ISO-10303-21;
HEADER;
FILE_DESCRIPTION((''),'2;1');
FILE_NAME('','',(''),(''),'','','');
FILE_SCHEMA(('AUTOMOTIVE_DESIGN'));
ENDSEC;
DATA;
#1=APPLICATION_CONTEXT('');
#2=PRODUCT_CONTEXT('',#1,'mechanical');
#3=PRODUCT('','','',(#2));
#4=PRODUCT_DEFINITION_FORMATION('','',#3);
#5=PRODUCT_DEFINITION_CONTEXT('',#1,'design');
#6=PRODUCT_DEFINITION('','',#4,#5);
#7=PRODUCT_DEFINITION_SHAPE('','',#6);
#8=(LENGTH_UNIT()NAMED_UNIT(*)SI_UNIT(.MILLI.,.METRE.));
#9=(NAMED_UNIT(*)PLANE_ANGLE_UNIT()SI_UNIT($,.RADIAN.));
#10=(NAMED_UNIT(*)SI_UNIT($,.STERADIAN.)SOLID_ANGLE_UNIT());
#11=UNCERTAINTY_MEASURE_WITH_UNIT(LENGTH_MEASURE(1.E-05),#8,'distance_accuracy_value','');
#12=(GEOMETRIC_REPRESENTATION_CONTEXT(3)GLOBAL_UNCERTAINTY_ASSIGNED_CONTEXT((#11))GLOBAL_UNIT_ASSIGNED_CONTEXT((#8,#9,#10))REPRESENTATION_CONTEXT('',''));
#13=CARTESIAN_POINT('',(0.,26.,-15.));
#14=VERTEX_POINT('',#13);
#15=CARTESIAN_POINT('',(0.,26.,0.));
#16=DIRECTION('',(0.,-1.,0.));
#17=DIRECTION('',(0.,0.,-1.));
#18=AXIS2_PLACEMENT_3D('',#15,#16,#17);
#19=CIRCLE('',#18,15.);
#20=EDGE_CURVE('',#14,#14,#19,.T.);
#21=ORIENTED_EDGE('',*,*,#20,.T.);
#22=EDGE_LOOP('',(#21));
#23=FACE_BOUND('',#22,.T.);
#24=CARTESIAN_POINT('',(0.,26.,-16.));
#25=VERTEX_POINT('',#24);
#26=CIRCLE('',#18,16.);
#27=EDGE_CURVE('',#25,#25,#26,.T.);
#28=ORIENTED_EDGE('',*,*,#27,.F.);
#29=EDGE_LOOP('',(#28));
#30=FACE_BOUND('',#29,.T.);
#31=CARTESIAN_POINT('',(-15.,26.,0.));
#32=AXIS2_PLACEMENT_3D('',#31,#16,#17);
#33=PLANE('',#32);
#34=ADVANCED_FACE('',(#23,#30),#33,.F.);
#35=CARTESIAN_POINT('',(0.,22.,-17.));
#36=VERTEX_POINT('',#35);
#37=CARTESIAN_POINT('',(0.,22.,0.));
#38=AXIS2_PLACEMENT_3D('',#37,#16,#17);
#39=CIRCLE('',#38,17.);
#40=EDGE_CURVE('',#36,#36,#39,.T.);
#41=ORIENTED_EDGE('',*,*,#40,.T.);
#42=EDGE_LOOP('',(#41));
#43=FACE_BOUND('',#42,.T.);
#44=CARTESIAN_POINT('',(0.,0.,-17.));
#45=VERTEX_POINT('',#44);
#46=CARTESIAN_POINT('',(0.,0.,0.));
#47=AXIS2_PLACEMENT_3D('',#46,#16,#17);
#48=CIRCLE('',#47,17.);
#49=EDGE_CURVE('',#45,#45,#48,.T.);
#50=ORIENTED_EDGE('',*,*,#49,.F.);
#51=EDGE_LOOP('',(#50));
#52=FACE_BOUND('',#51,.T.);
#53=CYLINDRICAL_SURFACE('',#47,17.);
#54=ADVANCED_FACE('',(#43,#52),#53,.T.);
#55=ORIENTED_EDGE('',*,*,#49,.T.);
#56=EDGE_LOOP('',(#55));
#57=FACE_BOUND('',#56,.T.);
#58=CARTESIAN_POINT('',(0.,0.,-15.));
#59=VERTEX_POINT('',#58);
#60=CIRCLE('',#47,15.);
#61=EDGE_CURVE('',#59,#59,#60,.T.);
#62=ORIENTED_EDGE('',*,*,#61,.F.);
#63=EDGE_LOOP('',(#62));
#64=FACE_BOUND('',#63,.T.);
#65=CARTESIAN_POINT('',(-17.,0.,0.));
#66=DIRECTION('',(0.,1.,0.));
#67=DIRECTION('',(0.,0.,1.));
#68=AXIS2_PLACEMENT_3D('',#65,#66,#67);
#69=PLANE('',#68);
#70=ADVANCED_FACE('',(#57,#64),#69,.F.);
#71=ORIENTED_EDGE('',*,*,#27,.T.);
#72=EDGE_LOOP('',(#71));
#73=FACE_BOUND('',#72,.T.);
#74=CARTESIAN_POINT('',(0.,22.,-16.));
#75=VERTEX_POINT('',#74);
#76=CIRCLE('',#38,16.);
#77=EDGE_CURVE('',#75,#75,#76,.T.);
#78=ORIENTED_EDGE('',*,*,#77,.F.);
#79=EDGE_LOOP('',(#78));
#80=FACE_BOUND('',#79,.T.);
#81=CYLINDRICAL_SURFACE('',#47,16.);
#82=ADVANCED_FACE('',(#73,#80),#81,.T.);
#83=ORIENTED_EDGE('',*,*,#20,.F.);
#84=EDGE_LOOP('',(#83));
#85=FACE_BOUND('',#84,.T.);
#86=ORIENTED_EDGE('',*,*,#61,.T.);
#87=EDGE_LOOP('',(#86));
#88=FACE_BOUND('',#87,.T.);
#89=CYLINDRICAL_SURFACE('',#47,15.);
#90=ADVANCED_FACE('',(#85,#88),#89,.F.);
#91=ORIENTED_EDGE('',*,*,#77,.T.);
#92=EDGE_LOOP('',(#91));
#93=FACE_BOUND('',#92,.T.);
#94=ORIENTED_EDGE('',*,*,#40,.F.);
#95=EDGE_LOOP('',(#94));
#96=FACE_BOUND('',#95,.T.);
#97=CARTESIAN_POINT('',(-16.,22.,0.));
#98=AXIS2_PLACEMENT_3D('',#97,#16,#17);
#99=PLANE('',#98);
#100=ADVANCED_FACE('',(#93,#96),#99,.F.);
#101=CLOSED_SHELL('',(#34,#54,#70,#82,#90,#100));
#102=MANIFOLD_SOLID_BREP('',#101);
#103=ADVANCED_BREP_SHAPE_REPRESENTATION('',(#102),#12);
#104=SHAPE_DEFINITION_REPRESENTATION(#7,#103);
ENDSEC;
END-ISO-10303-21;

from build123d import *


with BuildPart() as part:
    # Эскиз1 → Повернуть1 (revolve)
    with BuildSketch(Plane.XY, mode=Mode.PRIVATE) as revolve_1_sk:
        Polygon((-15, 0), (-15, 26), (-16, 26), (-16, 22), (-17, 22), (-17, 0), align=None)
    revolve(revolve_1_sk.sketch.rotate(Axis((0, 0, 0), (0, 1, 0)), 270), axis=Axis((0, 0, 0), (0, 1, 0)))


solid = part.part
